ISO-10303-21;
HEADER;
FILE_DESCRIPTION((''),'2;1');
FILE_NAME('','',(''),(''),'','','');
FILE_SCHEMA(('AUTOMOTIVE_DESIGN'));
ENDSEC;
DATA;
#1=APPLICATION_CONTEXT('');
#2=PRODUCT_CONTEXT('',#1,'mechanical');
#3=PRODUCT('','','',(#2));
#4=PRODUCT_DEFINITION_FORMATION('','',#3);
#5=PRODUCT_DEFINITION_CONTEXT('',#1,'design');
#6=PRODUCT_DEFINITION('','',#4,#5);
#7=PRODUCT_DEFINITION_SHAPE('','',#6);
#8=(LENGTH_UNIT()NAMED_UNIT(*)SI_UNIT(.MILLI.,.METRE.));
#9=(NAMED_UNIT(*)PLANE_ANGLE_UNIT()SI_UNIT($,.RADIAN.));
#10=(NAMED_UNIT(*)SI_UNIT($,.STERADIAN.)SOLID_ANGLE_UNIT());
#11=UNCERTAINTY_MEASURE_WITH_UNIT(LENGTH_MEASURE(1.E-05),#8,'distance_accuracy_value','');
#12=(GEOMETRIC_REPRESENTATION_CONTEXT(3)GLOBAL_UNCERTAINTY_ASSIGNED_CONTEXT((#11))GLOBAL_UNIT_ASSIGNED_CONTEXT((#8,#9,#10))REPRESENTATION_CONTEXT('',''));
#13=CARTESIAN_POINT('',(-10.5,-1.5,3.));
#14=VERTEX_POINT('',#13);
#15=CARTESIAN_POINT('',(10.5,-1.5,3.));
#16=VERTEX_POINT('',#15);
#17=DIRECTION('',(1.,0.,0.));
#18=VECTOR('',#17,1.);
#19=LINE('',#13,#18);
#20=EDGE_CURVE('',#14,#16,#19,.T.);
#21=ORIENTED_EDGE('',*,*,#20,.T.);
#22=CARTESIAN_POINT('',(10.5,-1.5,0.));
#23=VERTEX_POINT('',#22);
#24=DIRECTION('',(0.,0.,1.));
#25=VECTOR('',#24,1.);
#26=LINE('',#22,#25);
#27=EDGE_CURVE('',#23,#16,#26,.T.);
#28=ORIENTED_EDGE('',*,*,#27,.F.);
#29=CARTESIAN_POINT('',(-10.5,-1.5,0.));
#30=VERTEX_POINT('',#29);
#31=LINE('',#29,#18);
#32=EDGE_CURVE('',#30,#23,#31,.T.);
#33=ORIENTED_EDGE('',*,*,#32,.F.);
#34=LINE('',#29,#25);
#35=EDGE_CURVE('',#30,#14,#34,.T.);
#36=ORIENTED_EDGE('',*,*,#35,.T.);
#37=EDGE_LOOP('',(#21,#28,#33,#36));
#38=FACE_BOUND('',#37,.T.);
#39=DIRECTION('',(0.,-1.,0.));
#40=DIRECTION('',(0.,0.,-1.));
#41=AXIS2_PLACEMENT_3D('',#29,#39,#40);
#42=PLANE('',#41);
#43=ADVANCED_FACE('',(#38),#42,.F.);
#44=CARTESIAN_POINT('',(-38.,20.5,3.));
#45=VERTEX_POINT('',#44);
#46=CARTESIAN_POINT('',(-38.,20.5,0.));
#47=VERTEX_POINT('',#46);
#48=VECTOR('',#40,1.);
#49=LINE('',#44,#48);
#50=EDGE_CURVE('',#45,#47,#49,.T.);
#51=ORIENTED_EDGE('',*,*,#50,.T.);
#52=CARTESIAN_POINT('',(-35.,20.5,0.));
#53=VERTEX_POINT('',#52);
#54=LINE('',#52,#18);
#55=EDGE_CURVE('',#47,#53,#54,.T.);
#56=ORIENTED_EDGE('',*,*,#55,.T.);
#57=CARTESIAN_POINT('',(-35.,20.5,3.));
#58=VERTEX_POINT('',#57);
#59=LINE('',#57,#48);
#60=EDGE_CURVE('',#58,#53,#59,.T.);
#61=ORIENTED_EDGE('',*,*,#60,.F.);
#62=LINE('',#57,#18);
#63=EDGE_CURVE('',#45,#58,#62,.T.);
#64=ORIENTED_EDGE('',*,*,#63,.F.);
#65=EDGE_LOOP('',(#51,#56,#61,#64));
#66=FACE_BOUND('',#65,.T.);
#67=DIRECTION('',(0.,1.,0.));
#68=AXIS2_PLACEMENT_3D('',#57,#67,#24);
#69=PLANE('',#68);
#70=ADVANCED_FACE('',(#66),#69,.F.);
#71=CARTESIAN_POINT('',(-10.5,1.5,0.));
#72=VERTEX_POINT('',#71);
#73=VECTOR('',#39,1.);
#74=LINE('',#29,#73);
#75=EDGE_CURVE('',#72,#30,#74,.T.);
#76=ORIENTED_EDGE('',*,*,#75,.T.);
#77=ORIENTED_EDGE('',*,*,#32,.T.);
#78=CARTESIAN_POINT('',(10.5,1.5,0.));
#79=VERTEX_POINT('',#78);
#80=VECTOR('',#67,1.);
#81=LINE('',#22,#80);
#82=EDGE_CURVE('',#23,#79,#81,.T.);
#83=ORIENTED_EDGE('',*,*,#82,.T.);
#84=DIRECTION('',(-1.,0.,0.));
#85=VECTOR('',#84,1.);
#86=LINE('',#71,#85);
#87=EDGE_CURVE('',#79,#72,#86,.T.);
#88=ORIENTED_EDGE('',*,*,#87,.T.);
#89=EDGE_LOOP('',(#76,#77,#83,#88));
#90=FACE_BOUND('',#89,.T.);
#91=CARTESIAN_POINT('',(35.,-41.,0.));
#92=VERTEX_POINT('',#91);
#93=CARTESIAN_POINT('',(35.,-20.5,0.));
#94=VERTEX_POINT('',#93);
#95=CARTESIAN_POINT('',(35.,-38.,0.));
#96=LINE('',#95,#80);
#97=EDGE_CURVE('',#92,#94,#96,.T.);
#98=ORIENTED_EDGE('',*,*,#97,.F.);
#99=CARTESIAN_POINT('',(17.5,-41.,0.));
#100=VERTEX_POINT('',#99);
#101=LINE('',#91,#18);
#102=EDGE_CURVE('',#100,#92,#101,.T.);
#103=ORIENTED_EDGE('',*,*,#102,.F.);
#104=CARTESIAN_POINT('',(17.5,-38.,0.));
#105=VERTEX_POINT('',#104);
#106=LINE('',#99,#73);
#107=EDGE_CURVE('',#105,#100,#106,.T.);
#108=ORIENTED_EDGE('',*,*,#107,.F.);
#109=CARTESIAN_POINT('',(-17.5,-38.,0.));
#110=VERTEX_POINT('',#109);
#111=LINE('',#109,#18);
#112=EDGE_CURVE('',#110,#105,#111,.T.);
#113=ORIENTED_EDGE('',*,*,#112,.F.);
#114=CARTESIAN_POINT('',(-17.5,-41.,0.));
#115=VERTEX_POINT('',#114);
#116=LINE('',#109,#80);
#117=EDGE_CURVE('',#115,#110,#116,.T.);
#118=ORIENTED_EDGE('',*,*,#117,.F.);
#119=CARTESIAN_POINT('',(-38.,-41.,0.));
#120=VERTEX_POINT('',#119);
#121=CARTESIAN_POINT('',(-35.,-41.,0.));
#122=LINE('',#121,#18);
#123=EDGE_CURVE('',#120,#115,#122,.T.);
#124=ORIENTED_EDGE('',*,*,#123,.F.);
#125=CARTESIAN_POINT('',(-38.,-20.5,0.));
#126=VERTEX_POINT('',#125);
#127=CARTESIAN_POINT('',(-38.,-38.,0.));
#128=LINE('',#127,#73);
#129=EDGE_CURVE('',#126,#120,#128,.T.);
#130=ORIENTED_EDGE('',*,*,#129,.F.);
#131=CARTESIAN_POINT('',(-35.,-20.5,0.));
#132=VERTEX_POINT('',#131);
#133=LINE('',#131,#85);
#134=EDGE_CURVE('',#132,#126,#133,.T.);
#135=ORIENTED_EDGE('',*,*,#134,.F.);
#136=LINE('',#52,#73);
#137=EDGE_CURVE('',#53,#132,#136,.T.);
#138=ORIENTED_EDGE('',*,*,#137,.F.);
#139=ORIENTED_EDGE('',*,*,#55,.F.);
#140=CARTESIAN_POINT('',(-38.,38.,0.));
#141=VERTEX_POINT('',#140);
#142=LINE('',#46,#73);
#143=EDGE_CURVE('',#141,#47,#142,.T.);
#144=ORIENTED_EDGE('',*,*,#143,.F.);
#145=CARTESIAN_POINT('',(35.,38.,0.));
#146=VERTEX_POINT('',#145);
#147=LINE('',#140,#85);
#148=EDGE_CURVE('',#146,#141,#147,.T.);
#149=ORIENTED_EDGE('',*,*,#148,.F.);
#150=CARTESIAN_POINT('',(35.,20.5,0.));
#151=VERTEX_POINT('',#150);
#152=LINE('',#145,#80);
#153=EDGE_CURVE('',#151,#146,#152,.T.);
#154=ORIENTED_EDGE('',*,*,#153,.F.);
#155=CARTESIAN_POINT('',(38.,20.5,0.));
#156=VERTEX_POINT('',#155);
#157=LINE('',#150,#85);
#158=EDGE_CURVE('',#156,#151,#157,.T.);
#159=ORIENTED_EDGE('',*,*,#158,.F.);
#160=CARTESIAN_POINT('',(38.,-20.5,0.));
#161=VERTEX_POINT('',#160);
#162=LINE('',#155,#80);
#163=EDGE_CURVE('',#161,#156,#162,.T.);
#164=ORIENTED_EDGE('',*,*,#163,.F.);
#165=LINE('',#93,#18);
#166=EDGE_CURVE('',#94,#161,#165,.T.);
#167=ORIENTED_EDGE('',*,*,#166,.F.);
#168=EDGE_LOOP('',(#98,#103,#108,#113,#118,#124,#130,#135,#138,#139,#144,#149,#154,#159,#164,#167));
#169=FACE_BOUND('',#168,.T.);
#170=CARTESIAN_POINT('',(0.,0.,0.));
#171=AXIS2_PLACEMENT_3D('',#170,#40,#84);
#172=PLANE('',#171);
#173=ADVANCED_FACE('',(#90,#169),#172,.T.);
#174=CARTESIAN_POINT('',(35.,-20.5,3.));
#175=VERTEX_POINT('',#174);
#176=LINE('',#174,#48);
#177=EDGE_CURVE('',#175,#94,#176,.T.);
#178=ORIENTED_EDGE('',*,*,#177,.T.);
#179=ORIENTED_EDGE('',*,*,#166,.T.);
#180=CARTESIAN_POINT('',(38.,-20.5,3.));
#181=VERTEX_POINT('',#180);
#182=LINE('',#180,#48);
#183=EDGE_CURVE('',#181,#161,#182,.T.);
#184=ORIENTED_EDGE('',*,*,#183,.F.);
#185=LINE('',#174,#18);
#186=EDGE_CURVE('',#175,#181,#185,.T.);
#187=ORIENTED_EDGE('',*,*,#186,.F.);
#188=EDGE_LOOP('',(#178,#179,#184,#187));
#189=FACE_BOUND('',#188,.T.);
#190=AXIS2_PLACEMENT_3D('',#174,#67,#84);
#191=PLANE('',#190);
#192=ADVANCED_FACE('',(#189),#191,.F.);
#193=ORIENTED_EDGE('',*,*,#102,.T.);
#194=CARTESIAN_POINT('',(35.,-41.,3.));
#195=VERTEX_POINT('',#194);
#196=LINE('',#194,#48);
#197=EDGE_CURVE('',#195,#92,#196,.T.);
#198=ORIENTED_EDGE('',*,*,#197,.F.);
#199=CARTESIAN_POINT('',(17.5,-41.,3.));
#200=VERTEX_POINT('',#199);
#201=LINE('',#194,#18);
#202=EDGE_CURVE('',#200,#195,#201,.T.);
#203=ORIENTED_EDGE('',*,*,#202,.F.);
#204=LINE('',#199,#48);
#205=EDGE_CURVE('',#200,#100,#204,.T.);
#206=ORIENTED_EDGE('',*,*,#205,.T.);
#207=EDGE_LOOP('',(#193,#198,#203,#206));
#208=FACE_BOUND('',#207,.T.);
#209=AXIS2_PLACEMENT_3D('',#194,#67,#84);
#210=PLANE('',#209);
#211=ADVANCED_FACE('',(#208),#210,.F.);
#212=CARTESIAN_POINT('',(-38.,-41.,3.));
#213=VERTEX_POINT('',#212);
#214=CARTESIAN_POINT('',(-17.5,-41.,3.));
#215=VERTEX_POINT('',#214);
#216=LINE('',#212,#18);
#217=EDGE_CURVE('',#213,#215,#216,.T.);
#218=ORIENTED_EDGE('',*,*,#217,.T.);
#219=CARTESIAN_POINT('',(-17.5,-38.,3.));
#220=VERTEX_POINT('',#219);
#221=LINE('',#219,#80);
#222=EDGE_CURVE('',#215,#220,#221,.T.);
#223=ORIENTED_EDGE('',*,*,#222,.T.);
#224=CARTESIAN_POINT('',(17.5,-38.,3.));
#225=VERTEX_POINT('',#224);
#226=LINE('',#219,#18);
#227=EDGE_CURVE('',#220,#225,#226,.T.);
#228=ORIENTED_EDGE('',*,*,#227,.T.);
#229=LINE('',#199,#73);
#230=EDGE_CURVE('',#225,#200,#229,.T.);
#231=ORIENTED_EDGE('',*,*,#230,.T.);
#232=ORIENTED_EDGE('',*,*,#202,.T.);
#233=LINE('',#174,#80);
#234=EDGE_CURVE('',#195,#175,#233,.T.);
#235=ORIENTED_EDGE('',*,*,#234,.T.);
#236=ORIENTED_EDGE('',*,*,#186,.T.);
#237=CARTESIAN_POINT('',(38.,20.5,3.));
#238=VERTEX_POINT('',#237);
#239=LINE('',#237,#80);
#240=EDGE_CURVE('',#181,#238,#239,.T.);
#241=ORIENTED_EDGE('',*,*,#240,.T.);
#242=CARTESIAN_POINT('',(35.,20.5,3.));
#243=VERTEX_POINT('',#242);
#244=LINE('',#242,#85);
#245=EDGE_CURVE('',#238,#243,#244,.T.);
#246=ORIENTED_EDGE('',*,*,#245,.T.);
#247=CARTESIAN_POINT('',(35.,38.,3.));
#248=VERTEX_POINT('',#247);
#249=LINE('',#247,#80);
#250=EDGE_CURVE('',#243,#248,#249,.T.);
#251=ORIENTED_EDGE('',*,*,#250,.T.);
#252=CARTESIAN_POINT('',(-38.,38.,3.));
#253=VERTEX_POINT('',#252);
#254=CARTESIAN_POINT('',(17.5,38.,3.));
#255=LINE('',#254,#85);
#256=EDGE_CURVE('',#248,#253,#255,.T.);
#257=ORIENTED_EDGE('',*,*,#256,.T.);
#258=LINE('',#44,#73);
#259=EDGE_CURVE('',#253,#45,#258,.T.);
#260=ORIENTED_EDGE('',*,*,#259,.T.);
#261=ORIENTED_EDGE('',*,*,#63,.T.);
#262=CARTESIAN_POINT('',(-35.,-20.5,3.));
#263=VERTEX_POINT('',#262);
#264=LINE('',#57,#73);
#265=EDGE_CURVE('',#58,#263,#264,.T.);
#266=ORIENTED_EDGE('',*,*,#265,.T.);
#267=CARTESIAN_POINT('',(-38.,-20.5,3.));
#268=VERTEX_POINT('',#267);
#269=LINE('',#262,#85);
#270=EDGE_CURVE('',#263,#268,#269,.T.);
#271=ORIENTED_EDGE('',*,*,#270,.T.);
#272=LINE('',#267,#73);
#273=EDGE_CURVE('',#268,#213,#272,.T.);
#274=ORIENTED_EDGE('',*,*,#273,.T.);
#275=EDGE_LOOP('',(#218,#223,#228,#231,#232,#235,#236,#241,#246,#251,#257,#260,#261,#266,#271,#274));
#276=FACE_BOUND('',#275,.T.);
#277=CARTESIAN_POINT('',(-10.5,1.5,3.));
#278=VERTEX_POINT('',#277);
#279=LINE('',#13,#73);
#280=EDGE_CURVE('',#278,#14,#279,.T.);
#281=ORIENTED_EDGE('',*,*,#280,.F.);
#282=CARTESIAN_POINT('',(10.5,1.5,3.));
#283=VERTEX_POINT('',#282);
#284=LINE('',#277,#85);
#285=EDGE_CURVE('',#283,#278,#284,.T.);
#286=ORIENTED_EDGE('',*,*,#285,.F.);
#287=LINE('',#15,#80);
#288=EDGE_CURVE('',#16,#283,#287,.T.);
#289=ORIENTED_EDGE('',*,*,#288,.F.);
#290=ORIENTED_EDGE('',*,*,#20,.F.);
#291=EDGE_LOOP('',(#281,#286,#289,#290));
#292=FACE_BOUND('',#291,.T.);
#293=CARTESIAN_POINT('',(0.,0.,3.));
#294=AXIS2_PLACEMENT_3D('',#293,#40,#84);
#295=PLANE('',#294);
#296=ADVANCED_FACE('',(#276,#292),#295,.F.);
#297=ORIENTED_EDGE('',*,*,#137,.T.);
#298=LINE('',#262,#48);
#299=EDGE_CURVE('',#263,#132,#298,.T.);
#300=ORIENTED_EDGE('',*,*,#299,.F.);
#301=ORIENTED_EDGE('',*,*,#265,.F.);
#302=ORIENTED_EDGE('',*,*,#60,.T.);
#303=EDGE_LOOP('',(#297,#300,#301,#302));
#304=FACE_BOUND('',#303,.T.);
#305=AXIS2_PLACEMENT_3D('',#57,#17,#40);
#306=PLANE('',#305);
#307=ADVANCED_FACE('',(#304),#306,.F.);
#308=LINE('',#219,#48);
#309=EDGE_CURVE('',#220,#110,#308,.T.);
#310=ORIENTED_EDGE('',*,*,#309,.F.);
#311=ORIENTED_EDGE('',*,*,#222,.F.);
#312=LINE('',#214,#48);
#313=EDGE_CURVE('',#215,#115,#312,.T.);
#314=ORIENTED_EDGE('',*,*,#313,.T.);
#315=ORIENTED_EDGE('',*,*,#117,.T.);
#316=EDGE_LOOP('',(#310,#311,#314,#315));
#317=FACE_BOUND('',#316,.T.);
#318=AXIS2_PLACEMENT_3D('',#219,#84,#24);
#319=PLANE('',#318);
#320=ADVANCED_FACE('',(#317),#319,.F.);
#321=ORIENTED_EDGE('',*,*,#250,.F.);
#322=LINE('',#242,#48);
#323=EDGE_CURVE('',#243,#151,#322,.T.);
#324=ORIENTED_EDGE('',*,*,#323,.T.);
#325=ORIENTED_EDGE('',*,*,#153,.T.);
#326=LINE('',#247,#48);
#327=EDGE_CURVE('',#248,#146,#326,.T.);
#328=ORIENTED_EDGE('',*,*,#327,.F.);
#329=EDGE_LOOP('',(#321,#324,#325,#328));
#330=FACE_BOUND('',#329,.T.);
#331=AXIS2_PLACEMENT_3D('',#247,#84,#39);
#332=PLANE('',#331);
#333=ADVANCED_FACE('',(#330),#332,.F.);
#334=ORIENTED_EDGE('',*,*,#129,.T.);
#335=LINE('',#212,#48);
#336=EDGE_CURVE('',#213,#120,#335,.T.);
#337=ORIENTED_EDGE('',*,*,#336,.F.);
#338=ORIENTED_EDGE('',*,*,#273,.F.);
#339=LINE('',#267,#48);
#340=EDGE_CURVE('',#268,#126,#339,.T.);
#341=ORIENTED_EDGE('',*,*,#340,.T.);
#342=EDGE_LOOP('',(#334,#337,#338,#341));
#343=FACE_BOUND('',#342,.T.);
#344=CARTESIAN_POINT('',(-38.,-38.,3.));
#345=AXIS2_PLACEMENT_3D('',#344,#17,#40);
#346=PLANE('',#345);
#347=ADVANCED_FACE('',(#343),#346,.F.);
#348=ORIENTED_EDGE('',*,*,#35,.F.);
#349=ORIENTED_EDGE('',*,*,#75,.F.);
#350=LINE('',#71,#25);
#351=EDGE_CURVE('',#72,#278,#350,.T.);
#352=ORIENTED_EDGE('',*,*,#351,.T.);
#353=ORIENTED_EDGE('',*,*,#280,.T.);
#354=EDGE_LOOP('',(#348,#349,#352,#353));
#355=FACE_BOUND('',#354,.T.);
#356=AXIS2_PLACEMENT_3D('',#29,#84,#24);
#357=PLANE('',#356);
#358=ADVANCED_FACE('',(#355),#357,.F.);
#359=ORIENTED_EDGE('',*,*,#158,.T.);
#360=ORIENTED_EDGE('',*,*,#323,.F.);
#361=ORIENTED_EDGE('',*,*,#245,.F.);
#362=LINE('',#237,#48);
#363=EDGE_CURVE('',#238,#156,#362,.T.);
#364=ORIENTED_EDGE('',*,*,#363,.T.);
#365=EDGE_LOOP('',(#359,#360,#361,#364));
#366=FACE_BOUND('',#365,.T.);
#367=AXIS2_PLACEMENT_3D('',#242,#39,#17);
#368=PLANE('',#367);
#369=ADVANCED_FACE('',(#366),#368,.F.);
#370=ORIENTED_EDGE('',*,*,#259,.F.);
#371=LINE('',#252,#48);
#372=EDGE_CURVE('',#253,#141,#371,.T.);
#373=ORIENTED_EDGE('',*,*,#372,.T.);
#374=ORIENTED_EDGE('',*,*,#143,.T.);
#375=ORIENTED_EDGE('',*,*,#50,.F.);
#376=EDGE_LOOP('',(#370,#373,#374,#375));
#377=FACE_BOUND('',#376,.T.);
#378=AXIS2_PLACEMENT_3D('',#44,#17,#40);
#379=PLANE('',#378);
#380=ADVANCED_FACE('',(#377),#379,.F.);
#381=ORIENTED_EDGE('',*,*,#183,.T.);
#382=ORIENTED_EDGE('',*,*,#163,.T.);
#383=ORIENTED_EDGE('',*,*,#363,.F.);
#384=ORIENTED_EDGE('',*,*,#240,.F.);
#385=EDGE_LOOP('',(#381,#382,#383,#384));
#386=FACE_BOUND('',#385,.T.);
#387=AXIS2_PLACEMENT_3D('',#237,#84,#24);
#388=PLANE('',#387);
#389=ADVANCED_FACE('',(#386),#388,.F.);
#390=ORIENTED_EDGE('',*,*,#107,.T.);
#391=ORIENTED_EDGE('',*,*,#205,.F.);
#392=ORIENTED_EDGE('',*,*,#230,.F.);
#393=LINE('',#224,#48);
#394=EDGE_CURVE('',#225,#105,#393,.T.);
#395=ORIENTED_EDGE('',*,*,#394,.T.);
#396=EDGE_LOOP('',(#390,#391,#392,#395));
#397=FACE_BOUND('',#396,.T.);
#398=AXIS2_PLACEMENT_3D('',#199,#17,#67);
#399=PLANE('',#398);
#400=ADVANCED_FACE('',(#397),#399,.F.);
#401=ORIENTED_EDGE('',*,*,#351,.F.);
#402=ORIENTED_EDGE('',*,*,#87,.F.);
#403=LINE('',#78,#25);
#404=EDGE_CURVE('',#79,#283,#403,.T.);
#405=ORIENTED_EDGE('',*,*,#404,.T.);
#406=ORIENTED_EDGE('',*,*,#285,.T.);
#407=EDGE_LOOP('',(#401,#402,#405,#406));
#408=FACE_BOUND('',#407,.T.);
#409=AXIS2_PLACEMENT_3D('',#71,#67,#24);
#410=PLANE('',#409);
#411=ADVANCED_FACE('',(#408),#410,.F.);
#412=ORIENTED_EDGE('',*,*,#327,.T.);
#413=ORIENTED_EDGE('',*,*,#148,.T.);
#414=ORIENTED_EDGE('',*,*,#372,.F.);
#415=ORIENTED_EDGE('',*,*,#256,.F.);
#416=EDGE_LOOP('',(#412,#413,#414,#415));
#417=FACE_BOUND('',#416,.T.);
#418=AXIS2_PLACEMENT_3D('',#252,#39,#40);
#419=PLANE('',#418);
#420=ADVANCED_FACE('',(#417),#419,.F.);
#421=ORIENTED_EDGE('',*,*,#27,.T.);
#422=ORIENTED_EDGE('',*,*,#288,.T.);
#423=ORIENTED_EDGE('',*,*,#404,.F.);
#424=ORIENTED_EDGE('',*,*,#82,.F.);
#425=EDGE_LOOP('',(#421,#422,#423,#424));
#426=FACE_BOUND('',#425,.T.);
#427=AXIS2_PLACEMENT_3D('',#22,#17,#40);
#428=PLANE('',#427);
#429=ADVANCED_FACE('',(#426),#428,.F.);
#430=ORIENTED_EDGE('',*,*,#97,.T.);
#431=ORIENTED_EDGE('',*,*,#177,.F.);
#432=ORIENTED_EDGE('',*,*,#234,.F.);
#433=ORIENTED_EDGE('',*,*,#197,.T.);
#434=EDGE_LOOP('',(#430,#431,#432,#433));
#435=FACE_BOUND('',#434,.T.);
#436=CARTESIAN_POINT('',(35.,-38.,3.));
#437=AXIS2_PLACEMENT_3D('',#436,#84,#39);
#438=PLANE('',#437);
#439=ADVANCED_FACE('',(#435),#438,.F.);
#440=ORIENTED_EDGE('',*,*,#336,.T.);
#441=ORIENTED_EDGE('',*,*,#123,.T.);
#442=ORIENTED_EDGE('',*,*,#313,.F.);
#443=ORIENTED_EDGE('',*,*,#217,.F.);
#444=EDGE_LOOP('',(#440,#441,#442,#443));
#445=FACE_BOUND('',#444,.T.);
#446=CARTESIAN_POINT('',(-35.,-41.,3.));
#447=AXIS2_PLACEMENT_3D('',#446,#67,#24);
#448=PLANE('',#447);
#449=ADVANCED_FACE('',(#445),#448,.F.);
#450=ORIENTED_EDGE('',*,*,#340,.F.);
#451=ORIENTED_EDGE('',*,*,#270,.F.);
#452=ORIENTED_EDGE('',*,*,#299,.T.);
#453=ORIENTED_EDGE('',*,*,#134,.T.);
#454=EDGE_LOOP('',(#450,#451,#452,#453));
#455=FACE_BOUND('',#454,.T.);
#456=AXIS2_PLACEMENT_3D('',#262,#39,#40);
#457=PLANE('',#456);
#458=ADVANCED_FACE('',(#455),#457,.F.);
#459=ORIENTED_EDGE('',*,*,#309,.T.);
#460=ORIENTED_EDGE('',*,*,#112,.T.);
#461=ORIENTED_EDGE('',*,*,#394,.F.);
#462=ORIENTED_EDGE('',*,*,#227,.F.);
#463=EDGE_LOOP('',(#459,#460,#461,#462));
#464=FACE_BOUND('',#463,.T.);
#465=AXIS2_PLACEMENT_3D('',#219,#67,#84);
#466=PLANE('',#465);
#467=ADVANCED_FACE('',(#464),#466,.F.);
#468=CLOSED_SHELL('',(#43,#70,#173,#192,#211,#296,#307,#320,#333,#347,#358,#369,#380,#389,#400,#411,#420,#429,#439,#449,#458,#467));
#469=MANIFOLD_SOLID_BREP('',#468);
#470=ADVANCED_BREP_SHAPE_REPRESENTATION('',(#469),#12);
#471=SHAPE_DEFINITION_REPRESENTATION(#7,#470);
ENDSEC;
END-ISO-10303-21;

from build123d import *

# Parameters (mm, degrees)
BOSS_EXTRUDE1_DEPTH = 3
SKETCH2_W           = 21
SKETCH2_H           = 3
CUT_EXTRUDE1_DEPTH  = 3


with BuildPart() as part:
    # Sketch1 → Boss-Extrude1 (new body)
    with BuildSketch(Plane.XY):
        Polygon((-35, 38), (-17.5, 38), (17.5, 38), (35, 38), (35, 20.5), (38, 20.5), (38, -20.5), (35, -20.5), (35, -38), (35, -41), (17.5, -41), (17.5, -38), (-17.5, -38), (-17.5, -41), (-35, -41), (-38, -41), (-38, -38), (-38, -20.5), (-35, -20.5), (-35, 20.5), (-38, 20.5), (-38, 38), align=None)
    extrude(amount=BOSS_EXTRUDE1_DEPTH)

    # Sketch2 → Cut-Extrude1 (cut)
    with BuildSketch(Plane.XY.offset(3)):
        Rectangle(SKETCH2_W, SKETCH2_H)
    extrude(amount=-CUT_EXTRUDE1_DEPTH, mode=Mode.SUBTRACT)


solid = part.part
